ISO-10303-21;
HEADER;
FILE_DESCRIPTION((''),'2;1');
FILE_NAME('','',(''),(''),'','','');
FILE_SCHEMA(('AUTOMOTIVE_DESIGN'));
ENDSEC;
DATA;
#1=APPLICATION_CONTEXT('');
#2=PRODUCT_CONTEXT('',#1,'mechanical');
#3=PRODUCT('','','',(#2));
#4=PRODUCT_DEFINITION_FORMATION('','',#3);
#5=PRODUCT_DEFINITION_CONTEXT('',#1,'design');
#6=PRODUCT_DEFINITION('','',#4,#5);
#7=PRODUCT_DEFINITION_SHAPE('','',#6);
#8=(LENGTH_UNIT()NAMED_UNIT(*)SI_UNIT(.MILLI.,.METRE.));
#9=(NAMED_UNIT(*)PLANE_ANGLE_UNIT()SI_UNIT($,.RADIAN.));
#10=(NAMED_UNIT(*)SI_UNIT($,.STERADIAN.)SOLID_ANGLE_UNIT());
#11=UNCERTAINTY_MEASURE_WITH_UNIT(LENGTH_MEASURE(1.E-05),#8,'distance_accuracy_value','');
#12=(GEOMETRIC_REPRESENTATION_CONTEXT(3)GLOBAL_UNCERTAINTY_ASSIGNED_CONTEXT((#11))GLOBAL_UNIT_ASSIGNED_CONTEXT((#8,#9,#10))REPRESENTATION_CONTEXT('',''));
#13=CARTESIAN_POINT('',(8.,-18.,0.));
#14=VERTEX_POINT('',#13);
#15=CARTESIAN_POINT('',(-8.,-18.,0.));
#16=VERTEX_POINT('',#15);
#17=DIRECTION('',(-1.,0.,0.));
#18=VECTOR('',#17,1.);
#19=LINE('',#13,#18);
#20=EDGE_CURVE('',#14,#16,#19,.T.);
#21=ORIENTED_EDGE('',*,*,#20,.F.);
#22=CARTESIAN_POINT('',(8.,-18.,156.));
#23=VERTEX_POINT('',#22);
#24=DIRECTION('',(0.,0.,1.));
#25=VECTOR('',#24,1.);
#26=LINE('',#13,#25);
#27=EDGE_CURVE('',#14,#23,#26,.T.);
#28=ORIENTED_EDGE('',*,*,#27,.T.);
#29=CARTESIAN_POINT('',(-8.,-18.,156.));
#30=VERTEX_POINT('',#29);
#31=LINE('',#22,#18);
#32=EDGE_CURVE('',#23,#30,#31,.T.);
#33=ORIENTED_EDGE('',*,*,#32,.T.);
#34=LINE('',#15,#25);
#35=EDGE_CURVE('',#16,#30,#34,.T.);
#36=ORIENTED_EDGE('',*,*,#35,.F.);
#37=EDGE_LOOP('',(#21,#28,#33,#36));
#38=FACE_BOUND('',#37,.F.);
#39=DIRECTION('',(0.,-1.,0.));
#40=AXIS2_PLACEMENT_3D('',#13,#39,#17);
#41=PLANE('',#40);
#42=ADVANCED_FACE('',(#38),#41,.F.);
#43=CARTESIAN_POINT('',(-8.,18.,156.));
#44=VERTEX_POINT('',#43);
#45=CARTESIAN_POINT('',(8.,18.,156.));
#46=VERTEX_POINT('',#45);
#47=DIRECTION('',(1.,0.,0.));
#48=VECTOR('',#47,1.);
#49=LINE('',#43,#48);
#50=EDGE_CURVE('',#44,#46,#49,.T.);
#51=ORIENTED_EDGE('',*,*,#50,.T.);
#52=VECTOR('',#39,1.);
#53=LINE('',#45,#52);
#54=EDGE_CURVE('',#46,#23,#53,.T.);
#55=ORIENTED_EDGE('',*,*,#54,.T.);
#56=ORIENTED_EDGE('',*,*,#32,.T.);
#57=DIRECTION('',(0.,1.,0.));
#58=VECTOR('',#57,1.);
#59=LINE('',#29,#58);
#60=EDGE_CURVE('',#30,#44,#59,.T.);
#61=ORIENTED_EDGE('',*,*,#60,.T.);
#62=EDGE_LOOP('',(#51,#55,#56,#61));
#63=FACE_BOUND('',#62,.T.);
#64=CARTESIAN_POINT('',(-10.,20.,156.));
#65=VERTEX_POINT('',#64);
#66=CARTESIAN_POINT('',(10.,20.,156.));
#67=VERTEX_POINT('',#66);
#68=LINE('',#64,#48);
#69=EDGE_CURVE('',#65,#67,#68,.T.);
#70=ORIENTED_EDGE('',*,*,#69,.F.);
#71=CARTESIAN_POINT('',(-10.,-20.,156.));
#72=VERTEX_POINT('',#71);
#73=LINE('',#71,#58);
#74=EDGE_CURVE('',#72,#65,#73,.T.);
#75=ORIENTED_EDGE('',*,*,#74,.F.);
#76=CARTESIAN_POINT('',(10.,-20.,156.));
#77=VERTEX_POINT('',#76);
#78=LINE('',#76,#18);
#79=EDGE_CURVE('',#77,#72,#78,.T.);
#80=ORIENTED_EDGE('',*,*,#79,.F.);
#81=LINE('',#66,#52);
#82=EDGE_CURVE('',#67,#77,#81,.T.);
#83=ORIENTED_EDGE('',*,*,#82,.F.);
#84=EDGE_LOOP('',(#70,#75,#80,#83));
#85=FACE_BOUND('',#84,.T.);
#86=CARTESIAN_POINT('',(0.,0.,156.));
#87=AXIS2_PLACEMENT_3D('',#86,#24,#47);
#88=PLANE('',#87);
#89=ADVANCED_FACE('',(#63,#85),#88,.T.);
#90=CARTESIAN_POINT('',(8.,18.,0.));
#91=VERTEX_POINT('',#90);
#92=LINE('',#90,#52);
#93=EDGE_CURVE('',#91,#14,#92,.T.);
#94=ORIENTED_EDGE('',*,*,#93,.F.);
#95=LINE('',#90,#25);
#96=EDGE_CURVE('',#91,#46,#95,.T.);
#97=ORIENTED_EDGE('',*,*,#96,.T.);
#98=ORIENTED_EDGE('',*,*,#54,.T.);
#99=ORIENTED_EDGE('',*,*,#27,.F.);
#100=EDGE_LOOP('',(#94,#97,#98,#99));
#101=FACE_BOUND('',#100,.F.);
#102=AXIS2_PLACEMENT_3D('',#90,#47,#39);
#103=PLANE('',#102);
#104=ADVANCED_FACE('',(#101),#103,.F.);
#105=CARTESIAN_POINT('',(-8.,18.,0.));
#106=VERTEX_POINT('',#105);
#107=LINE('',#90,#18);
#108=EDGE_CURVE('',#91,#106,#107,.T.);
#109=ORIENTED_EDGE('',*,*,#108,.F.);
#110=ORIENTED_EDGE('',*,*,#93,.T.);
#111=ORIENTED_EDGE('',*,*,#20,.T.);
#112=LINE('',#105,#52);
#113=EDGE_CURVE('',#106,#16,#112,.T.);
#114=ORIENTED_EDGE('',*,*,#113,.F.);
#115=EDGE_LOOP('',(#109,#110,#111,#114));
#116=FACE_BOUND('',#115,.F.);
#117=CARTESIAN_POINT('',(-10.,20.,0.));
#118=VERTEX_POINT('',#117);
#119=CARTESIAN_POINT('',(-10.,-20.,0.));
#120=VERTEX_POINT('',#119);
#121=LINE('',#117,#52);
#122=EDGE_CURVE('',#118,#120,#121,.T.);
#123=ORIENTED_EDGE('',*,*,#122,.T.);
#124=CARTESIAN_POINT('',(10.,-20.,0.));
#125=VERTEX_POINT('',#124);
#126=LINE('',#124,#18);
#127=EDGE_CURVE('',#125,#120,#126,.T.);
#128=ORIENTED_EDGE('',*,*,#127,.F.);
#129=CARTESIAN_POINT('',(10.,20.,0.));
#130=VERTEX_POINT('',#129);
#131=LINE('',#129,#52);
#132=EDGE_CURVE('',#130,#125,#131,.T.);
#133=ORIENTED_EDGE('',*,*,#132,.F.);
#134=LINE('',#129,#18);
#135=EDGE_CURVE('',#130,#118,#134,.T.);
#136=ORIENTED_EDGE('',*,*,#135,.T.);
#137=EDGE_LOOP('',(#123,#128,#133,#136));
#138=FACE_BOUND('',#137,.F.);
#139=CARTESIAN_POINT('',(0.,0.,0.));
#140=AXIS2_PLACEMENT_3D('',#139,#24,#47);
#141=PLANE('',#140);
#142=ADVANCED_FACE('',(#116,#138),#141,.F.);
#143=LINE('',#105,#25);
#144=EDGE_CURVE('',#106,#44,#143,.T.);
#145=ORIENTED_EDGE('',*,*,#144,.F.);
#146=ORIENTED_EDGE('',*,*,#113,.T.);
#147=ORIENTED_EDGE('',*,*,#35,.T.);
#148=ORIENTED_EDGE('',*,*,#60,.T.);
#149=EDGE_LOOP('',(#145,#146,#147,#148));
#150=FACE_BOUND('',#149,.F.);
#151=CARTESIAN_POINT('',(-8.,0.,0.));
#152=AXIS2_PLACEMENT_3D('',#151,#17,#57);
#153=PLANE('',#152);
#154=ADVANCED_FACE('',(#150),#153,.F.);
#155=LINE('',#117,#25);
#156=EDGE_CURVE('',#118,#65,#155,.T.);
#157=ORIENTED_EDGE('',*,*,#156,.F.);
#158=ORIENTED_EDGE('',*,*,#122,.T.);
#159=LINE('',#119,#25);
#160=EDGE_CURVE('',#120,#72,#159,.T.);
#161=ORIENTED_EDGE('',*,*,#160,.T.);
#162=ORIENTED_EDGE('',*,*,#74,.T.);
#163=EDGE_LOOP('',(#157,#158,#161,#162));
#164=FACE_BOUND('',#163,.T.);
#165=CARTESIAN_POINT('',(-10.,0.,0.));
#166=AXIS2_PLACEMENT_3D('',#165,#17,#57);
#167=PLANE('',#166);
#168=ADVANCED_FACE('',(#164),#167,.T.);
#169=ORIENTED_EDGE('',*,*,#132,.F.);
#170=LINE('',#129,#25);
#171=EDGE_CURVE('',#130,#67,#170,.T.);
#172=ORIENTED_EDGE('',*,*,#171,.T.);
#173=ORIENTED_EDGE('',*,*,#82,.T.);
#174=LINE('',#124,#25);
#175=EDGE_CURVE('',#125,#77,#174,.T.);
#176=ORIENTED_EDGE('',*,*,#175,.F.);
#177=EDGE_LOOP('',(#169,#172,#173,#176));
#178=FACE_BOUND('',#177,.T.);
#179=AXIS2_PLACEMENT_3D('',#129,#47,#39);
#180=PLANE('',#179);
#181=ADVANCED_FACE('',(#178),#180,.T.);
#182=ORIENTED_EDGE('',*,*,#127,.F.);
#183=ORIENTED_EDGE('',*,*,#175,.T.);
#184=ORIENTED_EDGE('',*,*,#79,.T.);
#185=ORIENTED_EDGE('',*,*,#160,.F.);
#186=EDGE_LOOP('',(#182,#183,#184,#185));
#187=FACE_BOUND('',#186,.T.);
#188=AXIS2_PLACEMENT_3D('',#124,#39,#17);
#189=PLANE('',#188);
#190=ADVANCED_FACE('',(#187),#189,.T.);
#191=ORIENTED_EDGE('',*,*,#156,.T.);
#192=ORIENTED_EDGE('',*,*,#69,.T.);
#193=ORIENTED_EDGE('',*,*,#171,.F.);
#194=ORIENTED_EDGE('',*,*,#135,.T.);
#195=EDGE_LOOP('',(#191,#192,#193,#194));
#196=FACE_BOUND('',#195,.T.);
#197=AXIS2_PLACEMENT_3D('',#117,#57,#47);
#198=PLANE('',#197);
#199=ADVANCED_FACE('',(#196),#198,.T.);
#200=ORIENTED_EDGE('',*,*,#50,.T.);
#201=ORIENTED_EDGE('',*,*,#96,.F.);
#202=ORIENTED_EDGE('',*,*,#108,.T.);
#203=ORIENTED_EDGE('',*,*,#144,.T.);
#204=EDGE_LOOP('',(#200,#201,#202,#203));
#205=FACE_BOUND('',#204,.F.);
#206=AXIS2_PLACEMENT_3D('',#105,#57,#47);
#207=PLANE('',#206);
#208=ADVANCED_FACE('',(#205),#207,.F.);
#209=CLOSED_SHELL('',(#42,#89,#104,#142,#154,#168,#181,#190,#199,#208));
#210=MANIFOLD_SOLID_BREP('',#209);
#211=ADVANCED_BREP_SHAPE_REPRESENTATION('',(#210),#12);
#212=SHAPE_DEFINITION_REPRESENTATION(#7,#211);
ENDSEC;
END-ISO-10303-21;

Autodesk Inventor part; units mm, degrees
ref_plane "YZ Plane" through (0, 0, 0) normal (1, 0, 0) x (0, 1, 0)
ref_plane "XZ Plane" through (0, 0, 0) normal (0, 1, 0) x (-1, 0, 0)
ref_plane "XY Plane" through (0, 0, 0) normal (0, 0, 1) x (1, 0, 0)
sketch "Boceto1" plane through (0, 0, 0) normal (0, 0, 1) x (1, 0, 0)
  line L0 (-10, 20) -> (10, 20)
  line L1 (10, 20) -> (10, -20)
  line L2 (10, -20) -> (-10, -20)
  line L3 (-10, -20) -> (-10, 20)
  line L4 (-10, 20) -> (10, -20) construction
  line L5 (6.3055, 0) -> (10, 0) construction
  line L6 (0, -12.611) -> (0, -20) construction
  line L7 (-8, 18) -> (8, 18)
  line L8 (8, 18) -> (8, -18)
  line L9 (8, -18) -> (-8, -18)
  line L10 (-8, -18) -> (-8, 18)
  line L11 (-8, 0) -> (-10, 0)
  line L12 (0, 18) -> (0, 20)
  point P0 (0, 0)
  point P1 (0, 0)
  dimension "d0" = 40
  dimension "d4" = 20
  dimension "d5" = 2
  dimension "d6" = 2
extrude "Extrusión1" add sketch "Boceto1" along normal blind 156 contours L0 L12 L7 L10 L11 L3 | L0 L1 L2 L3 L11 L10 L9 L8 L7 L12
properties part number "C_358_40_2"
